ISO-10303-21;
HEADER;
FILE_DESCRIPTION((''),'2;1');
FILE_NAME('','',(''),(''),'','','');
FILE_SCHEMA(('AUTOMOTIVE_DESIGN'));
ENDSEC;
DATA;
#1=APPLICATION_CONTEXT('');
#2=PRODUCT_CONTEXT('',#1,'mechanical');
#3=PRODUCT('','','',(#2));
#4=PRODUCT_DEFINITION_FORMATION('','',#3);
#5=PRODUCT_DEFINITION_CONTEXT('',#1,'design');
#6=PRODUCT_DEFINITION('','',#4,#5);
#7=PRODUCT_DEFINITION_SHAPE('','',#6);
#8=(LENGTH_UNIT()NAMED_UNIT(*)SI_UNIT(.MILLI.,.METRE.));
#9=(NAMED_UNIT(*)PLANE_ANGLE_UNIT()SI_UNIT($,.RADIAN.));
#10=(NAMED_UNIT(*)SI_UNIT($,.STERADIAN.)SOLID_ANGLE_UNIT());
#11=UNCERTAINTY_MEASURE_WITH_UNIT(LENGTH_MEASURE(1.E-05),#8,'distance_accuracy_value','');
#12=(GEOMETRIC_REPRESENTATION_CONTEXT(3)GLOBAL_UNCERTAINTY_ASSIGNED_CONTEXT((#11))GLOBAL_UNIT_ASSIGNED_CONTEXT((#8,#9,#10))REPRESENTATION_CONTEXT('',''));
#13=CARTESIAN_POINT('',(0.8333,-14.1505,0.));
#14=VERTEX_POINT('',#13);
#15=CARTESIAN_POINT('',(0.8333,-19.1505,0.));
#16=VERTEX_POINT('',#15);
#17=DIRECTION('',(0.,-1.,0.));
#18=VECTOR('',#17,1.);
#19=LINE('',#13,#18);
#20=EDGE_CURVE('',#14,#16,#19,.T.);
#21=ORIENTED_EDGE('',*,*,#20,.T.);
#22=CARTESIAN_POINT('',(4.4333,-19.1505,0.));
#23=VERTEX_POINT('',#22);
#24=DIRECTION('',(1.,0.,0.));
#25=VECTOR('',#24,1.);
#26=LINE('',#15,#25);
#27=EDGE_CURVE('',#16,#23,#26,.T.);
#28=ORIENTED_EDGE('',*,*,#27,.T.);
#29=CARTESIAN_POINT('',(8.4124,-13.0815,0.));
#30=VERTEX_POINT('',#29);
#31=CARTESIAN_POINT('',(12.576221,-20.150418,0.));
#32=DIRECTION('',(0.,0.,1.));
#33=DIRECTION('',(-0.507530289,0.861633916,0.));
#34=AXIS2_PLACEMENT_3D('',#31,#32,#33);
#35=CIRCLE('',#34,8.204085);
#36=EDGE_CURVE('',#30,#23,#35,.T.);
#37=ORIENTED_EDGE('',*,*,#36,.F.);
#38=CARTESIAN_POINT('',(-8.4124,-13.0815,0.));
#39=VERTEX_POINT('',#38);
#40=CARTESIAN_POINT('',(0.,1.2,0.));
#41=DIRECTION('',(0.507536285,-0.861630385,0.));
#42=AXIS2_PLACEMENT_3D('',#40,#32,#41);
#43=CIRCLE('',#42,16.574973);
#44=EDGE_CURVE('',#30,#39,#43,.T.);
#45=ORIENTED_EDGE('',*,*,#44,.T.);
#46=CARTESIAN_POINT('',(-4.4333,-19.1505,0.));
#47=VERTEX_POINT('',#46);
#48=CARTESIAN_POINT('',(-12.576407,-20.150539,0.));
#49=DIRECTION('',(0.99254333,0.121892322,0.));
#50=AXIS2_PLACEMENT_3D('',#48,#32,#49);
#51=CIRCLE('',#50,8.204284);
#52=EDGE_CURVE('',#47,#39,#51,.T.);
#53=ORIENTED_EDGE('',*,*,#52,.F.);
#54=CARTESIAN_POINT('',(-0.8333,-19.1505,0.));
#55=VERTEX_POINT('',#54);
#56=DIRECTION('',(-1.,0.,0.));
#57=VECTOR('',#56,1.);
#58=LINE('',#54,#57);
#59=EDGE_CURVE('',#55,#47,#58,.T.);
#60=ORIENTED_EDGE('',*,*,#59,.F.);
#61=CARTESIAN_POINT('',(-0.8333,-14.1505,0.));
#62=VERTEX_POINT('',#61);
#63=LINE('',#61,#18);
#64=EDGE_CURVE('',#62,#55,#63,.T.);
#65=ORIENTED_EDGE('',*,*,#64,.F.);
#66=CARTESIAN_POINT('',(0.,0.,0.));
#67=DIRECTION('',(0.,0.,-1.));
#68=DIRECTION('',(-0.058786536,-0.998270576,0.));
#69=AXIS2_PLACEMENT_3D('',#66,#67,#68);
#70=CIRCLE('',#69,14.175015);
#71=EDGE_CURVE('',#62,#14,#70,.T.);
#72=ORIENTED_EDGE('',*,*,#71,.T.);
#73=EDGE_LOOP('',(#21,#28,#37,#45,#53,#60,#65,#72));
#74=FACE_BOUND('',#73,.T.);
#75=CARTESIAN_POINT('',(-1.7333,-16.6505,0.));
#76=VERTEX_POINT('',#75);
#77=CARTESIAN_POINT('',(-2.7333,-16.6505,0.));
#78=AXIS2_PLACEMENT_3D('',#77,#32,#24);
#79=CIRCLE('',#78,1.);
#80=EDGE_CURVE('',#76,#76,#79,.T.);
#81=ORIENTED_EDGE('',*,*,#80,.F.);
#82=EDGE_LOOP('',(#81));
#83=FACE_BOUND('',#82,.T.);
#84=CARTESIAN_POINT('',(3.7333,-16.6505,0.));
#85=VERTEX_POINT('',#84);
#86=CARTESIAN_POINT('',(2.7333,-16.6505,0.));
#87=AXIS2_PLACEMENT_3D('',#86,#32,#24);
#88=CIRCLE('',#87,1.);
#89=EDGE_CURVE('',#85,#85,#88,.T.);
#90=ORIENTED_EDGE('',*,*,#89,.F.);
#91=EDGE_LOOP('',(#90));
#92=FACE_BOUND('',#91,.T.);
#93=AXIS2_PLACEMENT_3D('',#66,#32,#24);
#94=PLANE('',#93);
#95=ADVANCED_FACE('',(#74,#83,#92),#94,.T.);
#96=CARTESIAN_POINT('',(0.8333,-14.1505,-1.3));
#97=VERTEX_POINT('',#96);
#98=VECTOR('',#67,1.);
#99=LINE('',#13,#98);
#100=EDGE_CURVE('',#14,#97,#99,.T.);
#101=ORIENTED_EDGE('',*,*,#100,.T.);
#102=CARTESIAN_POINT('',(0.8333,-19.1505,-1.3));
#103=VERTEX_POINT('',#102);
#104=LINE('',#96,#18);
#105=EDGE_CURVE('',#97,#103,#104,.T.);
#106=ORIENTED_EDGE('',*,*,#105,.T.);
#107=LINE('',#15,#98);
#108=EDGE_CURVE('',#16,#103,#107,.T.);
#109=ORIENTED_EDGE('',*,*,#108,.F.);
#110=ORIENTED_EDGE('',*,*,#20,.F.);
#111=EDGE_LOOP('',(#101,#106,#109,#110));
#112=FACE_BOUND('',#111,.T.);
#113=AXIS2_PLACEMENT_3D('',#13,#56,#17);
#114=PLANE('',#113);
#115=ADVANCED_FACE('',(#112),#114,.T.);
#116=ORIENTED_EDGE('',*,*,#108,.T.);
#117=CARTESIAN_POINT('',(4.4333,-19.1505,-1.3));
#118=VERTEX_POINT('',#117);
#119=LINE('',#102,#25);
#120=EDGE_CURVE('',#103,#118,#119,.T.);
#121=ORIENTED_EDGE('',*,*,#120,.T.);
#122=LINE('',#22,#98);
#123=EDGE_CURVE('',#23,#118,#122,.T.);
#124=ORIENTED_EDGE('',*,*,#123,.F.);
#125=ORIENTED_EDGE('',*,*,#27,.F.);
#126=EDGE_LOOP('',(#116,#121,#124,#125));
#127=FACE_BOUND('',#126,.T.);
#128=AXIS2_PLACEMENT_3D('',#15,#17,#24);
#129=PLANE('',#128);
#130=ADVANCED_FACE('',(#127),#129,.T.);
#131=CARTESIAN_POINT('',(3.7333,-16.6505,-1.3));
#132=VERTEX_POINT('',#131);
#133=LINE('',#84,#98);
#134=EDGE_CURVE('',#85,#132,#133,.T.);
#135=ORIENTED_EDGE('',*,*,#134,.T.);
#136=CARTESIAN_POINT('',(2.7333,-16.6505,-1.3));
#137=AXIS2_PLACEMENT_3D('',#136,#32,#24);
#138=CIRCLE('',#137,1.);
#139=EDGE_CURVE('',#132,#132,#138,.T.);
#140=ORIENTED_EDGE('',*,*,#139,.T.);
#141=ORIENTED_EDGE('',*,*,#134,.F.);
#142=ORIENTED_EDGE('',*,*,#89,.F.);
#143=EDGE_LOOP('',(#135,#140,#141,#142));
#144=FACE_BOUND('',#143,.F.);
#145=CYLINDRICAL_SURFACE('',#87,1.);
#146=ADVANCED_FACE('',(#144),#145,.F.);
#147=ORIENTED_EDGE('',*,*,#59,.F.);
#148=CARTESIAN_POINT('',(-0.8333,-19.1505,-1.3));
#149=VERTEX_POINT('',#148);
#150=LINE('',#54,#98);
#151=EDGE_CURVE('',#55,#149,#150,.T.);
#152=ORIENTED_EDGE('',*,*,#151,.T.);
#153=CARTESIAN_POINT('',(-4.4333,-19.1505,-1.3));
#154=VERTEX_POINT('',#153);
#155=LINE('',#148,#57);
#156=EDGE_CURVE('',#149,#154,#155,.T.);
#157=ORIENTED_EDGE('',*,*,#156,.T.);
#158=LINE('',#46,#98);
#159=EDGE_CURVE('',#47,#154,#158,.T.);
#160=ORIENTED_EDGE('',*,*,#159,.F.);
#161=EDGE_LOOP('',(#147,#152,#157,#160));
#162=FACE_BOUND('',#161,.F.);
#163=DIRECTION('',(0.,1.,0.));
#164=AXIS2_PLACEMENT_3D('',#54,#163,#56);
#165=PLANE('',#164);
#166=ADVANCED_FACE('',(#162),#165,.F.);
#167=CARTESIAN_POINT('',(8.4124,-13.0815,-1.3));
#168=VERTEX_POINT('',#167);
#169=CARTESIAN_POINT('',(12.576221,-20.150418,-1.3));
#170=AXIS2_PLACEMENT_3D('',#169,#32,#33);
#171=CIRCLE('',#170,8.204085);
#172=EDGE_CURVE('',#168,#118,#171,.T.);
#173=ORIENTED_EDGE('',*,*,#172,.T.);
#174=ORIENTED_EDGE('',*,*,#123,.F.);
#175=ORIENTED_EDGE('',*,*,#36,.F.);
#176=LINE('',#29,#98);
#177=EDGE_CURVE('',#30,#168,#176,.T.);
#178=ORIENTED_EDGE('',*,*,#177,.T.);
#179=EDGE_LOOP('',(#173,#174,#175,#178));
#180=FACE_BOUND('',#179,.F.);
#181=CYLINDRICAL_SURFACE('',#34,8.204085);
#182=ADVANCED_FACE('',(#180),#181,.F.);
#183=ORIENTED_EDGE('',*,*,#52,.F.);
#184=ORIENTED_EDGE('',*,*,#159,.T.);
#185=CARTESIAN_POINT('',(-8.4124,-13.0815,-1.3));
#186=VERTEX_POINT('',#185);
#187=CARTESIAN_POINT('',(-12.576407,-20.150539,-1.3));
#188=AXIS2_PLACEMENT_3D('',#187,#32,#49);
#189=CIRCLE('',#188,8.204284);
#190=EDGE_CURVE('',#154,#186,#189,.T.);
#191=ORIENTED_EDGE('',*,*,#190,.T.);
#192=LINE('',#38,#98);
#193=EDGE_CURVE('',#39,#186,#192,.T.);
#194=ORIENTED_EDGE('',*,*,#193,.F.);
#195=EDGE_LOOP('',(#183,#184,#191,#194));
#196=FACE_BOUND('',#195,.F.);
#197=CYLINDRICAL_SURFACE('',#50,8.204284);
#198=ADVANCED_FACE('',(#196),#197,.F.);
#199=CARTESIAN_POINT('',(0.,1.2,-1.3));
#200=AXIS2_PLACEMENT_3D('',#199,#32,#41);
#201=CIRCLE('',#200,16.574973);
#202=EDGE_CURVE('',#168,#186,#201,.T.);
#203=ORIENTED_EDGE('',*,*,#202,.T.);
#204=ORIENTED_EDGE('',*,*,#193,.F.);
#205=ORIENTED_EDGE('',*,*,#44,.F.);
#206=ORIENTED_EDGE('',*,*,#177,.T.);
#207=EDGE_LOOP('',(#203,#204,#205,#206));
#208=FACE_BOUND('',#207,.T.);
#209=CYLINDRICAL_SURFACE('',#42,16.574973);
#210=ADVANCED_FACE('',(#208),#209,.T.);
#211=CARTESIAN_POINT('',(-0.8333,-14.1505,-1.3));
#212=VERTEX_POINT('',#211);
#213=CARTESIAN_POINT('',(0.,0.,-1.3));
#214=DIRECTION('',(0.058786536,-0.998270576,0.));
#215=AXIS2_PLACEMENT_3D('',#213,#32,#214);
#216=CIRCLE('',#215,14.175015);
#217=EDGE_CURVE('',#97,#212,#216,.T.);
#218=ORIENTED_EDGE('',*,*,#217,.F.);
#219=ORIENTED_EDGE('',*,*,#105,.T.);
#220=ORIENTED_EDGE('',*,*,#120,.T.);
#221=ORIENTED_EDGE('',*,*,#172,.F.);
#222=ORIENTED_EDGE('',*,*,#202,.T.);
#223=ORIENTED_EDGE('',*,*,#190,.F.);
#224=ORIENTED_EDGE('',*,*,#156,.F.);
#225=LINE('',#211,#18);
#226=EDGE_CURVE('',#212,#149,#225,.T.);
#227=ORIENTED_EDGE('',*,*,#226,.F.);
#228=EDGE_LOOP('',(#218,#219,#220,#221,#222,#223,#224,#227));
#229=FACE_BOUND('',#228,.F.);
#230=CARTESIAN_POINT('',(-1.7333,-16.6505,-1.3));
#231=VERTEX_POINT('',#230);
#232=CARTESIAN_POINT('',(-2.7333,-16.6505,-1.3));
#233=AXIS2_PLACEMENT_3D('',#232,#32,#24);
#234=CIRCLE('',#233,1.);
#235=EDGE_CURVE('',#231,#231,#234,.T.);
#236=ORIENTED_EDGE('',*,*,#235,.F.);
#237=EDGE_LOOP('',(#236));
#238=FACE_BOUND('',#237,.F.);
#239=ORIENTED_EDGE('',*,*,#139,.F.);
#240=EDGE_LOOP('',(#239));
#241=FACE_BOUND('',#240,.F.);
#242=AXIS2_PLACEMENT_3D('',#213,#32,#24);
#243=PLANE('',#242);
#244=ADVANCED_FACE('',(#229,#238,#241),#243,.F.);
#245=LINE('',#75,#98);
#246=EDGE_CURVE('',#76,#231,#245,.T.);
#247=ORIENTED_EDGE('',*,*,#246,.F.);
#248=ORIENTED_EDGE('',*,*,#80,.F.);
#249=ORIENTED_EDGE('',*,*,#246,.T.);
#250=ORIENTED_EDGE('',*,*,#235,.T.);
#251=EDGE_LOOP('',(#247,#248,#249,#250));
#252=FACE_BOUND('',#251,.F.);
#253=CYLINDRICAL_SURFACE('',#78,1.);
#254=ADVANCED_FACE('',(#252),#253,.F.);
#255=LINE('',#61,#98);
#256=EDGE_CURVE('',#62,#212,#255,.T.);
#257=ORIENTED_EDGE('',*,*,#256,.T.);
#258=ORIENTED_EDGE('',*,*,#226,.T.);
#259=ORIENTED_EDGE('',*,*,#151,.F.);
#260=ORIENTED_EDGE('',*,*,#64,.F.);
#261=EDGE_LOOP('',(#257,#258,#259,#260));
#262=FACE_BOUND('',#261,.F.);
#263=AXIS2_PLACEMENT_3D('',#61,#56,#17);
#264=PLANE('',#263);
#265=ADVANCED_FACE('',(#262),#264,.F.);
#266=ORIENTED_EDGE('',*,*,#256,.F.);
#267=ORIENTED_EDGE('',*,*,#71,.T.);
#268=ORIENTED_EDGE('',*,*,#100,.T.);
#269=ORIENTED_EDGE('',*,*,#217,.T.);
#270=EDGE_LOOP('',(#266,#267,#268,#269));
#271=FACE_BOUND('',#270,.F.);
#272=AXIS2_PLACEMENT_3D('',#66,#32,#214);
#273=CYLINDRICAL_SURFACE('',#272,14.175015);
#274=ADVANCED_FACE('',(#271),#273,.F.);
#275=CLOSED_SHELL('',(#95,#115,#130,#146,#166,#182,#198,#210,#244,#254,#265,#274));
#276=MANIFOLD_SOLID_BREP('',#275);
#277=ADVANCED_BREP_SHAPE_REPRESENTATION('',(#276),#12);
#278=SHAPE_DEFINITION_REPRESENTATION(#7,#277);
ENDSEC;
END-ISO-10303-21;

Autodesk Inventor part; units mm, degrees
ref_plane "YZ Plane" through (0, 0, 0) normal (1, 0, 0) x (0, 1, 0)
ref_plane "XZ Plane" through (0, 0, 0) normal (0, 1, 0) x (-1, 0, 0)
ref_plane "XY Plane" through (0, 0, 0) normal (0, 0, 1) x (1, 0, 0)
sketch "草图2" plane through (0, 0, 0) normal (0, 0, 1) x (1, 0, 0)
  line L0 (-0.8333, -19.1505) -> (-4.4333, -19.1505)
  line L1 (-0.8333, -14.1505) -> (-0.8333, -19.1505)
  arc A0 (0.8333, -14.1505) -> (-0.8333, -14.1505) centre (0, 0) ccw
  arc A1 (8.4124, -13.0815) -> (-8.4124, -13.0815) centre (0, 1.2) ccw
  line L2 (0, -19.4467) -> (0, 17.2703) projected
  line L3 (0.8333, -19.1505) -> (4.4333, -19.1505)
  line L4 (0.8333, -14.1505) -> (0.8333, -19.1505)
  arc A2 (-4.4333, -19.1505) -> (-8.4124, -13.0815) centre (-12.5763, -20.1505) ccw
  arc A3 (8.4124, -13.0815) -> (4.4333, -19.1505) centre (12.5763, -20.1505) ccw
  dimension "d15" = 1.2
  dimension "d28" = 28.35
  dimension "d32" = 3.6
  dimension "d34" = 5
  dimension "d35" = 1.6667
  dimension "d48" = 3.6
  dimension "d49" = 1
extrude "拉伸1" add sketch "草图2" against normal blind 1.3
sketch "草图3" plane through (0, 0, 0) normal (0, 0, 1) x (1, 0, 0)
  circle A0 centre (-2.7333, -16.6505) radius 1
  line L0 (-0.8333, -19.1505) -> (-4.4333, -19.1505) projected
  line L1 (0.8333, -19.1505) -> (0.8333, -14.1505) projected
  line L2 (4.4333, -19.1505) -> (0.8333, -19.1505) projected
  line L3 (0, -14.2014) -> (0, -8.6014) projected
  circle A1 centre (2.7333, -16.6505) radius 1
  dimension "d36" = 2
  dimension "d37" = 2.5
  dimension "d47" = 5.4667
extrude "拉伸2" cut sketch "草图3" against normal through all
equation "\"d15\" = 0.333333 * b"
equation "\"d28\" = g1"
equation "\"d32\" = b"
equation "\"d34\" = ParA"
equation "\"d35\" = 0.333333 * ParA"
equation "\"d48\" = 1.8 * Diam5"
equation "\"d49\" = 0.2 * ParA"
equation "\"d16\" = tt"
equation "\"d36\" = Diam5"
equation "\"d37\" = 0.5 * ParA"
equation "\"d47\" = 0.333333 * ParA + 1.9 * Diam5"
equation "\"g1\" = 28.35"
equation "\"ParA\" = 5"
equation "\"tt\" = 1.3"
equation "\"Diam5\" = 2"
equation "\"TEMPLATE\" = 1.2345"
properties part number "ANSI B 27.7M - 3AMI-30" material "钢，软"
